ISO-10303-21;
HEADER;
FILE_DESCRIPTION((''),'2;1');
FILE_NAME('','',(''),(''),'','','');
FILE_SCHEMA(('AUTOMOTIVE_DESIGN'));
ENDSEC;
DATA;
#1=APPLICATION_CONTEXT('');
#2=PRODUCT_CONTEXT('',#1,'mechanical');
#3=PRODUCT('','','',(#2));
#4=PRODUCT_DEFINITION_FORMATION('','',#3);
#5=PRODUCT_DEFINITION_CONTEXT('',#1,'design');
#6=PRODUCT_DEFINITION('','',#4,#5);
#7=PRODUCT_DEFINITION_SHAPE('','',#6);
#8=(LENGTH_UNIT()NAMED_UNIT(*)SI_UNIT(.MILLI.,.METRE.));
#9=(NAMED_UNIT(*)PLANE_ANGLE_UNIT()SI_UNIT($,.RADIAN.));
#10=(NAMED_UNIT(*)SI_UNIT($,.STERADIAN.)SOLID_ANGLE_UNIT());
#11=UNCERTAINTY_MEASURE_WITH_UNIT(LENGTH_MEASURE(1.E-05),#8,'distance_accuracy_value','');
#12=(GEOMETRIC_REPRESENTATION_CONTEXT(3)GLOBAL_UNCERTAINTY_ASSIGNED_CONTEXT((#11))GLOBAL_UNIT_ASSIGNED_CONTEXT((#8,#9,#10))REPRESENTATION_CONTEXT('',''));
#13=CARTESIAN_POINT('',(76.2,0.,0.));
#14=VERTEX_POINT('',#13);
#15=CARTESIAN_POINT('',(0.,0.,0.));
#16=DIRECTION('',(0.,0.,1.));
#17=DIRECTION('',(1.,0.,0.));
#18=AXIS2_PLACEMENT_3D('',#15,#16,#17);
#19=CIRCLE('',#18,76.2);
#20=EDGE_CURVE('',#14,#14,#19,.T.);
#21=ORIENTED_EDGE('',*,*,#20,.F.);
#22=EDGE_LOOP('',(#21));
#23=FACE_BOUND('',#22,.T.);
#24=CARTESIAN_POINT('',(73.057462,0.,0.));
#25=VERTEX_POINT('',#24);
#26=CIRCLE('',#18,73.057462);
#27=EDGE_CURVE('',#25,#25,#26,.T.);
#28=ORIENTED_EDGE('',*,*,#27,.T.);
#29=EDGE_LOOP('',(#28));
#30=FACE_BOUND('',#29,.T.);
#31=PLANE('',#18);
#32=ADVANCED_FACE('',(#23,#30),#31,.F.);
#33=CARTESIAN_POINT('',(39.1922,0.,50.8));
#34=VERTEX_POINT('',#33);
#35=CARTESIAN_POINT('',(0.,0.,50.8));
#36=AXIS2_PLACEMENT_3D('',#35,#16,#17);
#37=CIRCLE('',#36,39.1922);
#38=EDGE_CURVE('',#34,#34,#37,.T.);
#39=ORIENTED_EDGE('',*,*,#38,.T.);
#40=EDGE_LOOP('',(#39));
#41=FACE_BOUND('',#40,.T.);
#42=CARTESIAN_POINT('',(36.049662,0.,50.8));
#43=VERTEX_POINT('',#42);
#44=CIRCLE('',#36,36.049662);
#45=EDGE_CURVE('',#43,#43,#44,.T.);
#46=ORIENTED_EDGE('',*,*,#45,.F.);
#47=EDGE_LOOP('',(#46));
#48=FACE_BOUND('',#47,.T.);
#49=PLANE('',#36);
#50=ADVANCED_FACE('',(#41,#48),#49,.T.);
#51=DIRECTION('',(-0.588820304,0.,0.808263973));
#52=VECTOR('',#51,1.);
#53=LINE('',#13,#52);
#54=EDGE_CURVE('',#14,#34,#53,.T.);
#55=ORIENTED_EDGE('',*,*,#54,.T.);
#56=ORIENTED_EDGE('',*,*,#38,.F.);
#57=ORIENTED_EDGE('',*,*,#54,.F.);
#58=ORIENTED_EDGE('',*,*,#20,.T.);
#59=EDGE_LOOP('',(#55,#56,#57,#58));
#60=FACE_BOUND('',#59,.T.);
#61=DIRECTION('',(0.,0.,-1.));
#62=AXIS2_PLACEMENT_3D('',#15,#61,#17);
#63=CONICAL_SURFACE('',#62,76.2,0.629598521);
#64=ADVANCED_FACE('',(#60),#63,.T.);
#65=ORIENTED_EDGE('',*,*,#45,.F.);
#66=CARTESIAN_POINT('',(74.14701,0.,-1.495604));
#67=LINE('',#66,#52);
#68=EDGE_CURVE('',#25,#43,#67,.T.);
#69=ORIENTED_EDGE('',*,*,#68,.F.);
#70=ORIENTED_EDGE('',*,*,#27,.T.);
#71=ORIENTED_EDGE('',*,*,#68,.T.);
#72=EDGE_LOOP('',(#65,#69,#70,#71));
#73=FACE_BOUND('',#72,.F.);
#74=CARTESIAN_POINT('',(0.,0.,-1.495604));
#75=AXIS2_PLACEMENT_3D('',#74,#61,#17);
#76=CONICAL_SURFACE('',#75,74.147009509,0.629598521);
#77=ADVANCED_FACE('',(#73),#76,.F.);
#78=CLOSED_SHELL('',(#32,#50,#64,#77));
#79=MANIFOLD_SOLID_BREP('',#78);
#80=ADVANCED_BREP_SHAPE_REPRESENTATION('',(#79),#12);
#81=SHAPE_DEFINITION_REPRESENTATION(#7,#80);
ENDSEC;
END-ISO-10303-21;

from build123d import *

# Parameters (mm, degrees)
F2_T = -2.54


with BuildPart() as f1:
    # F0 (on Front) → F1 (revolve)
    with BuildSketch(Plane.XZ):
        Polygon((0, 50.8), (0, 0), (76.2, 0), (39.1922, 50.8), align=None)
    revolve(axis=Axis((0, 0, 25.4), (0, 0, 1)))

    # F2
    f2_openings = [f1.faces().sort_by_distance(p)[0] for p in [
        (0, 0, 0),
        (0, 0, 50.8),
    ]]
    offset(amount=F2_T, openings=f2_openings)


solid = f1.part
